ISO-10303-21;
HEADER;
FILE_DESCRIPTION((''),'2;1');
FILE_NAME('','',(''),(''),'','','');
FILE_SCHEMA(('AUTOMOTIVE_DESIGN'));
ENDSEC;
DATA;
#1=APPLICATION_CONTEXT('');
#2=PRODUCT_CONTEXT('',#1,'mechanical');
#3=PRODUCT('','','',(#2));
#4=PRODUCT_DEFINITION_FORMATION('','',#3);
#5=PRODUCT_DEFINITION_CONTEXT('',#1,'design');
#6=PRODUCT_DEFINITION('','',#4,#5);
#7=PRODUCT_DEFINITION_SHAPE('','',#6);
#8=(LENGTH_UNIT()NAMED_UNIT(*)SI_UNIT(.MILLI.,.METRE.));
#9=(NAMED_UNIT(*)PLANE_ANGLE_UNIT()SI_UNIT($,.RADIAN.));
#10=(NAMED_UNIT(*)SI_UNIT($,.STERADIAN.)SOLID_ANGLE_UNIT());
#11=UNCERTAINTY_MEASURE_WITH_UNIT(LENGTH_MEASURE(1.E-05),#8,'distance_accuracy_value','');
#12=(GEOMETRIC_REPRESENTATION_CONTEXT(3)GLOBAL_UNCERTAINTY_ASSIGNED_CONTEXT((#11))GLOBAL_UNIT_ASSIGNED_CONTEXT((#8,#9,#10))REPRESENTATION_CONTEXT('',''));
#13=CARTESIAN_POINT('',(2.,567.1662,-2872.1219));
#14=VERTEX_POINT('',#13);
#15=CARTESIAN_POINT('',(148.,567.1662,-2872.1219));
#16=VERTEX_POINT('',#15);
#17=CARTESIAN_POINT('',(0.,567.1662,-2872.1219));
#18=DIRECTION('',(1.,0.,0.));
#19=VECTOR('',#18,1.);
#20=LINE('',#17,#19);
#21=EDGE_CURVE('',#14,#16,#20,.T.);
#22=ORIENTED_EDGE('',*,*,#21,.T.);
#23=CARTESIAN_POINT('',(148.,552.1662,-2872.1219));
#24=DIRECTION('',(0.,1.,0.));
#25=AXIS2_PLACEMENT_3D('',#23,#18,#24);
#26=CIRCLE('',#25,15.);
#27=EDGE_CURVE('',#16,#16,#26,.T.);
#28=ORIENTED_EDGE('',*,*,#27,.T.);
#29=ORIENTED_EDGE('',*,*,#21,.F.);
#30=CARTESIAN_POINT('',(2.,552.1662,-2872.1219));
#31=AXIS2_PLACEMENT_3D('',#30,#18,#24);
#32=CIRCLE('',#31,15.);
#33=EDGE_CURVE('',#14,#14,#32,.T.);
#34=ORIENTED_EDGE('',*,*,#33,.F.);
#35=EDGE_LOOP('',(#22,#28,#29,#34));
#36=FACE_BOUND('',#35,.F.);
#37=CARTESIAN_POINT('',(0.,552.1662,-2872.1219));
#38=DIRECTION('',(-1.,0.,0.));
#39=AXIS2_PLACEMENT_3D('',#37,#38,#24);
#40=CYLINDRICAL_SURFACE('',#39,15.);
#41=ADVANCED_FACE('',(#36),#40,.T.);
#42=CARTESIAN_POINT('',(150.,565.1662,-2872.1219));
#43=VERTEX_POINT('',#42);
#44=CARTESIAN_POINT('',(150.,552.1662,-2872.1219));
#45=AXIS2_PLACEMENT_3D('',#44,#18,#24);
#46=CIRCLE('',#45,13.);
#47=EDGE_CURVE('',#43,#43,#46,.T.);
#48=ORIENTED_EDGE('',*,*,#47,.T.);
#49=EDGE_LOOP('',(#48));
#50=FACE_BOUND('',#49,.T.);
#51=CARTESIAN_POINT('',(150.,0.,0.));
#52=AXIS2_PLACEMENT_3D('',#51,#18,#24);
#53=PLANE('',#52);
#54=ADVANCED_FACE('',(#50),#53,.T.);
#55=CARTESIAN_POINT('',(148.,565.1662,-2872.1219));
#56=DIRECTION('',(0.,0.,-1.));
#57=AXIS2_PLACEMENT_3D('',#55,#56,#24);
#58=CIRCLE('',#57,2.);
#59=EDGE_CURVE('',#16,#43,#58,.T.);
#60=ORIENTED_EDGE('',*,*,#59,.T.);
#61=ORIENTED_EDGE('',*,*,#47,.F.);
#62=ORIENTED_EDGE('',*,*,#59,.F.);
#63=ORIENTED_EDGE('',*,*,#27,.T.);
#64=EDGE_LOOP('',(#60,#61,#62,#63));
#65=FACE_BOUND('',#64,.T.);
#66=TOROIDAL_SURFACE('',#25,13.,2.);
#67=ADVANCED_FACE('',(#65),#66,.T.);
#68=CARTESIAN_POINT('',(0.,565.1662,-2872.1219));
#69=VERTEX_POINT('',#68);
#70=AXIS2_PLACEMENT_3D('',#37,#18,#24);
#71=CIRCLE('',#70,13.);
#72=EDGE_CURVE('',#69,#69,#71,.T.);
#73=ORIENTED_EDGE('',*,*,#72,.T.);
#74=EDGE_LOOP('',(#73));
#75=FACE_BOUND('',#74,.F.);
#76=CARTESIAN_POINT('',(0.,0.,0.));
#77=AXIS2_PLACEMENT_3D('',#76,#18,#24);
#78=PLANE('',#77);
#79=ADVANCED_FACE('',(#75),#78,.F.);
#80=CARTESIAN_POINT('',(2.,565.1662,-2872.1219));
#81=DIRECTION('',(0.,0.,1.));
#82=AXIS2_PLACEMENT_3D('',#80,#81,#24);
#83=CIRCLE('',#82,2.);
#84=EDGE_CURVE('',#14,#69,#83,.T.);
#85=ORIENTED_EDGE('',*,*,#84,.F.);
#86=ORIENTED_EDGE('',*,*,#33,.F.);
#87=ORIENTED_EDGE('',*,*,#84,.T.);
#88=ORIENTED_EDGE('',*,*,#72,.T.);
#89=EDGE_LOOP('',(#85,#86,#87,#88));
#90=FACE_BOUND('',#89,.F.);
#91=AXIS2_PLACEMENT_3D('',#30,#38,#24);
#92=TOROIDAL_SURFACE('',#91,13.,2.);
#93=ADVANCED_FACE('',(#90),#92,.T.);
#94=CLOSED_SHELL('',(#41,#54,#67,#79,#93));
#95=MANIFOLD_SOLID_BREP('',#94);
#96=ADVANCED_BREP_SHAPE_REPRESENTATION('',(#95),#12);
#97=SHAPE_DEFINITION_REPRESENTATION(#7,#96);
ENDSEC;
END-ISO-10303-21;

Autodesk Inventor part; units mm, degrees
ref_plane "YZ Plane" through (0, 0, 0) normal (1, 0, 0) x (0, 1, 0)
ref_plane "XZ Plane" through (0, 0, 0) normal (0, 1, 0) x (-1, 0, 0)
ref_plane "XY Plane" through (0, 0, 0) normal (0, 0, 1) x (1, 0, 0)
sketch "Sketch1" plane through (0, 0, 0) normal (1, 0, 0) x (0, 1, 0)
  line L0 (3056.2025, 0) -> (3056.2025, -6694.5386) construction
  line L1 (3056.2025, -6694.5386) -> (0, -6694.5386) construction
  line L2 (0, -6694.5386) -> (0, 0) construction
  line L3 (0, 0) -> (3056.2025, 0) construction
  point P0 (0, 0)
  dimension "d15" = 150
  dimension "d16" = 0
sketch "Sketch2" plane through (0, 0, 0) normal (1, 0, 0) x (0, 1, 0)
  point P0 (0, 0)
sketch "Sketch3" plane through (0, 0, 0) normal (1, 0, 0) x (0, 1, 0)
  circle A0 centre (552.1662, -2872.1219) radius 15
  point P0 (0, 0)
  dimension "d14" = 30
extrude "Extrusion1" add sketch "Sketch3" along normal blind 150
fillet "Fillet1" radius 2 2 edges at (150, 537.1662, -2872.1219) (0, 537.1662, -2872.1219)
properties part number "Lank"
